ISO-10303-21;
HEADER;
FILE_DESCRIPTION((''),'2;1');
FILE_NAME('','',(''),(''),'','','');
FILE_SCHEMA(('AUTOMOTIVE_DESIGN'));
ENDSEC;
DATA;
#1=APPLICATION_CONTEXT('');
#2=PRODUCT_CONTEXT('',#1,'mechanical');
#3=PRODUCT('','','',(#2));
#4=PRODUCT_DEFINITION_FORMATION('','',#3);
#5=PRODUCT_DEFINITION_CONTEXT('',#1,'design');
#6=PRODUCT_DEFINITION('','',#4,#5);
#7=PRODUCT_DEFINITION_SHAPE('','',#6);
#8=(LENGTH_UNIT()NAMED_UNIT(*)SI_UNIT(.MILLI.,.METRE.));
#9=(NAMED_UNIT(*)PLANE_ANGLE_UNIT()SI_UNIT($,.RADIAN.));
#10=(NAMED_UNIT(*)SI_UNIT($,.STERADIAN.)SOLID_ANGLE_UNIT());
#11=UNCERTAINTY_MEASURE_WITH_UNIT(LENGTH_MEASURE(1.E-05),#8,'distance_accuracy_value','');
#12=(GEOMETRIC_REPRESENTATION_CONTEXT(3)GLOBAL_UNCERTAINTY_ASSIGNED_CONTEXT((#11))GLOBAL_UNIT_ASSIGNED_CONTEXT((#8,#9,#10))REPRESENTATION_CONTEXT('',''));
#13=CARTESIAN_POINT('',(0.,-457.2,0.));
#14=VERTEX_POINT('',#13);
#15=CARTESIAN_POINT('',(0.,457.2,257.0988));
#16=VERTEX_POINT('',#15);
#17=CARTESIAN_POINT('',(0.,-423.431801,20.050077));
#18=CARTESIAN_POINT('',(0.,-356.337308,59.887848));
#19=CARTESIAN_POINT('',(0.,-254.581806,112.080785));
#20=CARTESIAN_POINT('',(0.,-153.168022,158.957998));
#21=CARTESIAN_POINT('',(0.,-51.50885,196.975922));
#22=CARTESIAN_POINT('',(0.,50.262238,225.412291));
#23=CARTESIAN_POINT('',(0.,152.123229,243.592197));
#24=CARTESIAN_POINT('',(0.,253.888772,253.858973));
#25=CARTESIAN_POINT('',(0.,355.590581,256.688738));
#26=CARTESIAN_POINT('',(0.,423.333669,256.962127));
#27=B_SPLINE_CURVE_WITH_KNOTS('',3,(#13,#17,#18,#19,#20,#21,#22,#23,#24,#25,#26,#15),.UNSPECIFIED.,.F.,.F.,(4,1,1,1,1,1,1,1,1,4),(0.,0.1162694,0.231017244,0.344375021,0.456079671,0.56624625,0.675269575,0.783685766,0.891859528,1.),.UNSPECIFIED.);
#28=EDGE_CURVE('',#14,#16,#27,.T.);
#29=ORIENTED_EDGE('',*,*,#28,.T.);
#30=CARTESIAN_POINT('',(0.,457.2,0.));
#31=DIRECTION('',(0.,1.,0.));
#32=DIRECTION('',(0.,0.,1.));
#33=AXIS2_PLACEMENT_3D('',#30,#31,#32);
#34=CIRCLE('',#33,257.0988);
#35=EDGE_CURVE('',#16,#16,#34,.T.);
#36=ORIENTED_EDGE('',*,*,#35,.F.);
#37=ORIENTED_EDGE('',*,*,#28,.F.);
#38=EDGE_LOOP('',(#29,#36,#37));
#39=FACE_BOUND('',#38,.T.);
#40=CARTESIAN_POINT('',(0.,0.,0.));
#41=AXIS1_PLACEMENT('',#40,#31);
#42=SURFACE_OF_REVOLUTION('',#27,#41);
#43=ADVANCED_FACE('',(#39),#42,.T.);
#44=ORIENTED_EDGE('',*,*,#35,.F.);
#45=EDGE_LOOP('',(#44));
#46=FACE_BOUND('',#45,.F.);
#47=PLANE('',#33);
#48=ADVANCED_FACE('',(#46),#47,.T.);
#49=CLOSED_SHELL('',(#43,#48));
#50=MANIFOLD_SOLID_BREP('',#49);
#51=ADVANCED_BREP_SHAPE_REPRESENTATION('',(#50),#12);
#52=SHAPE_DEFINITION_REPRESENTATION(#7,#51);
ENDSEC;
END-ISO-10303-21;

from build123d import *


with BuildPart() as f1:
    # F0 (on Right) → F1 (revolve)
    with BuildSketch(Plane.YZ):
        with BuildLine():
            add(Edge.make_bspline(
                [(-457.2, 0), (-423.4318006306, 20.050077419), (-356.3373082334, 59.887847631), (-254.5818058638, 112.0807850112), (-153.1680216755, 158.957998149), (-51.5088503876, 196.9759223793), (50.2622378141, 225.4122906624), (152.1232291961, 243.5921967653), (253.8887716405, 253.858973382), (355.590580735, 256.6887378804), (423.3336686942, 256.9621266512), (457.2, 257.0988)],
                knots=[0, 0, 0, 0, 0.1162693996, 0.2310172437, 0.3443750211, 0.4560796713, 0.5662462498, 0.6752695755, 0.7836857659, 0.8918595279, 1, 1, 1, 1], degree=3))
            Line((-457.2, 0), (457.2, 0))
            Line((457.2, 0), (457.2, 257.0988))
        make_face()
    revolve(axis=Axis((0, 0, 0), (0, 1, 0)))


solid = f1.part
